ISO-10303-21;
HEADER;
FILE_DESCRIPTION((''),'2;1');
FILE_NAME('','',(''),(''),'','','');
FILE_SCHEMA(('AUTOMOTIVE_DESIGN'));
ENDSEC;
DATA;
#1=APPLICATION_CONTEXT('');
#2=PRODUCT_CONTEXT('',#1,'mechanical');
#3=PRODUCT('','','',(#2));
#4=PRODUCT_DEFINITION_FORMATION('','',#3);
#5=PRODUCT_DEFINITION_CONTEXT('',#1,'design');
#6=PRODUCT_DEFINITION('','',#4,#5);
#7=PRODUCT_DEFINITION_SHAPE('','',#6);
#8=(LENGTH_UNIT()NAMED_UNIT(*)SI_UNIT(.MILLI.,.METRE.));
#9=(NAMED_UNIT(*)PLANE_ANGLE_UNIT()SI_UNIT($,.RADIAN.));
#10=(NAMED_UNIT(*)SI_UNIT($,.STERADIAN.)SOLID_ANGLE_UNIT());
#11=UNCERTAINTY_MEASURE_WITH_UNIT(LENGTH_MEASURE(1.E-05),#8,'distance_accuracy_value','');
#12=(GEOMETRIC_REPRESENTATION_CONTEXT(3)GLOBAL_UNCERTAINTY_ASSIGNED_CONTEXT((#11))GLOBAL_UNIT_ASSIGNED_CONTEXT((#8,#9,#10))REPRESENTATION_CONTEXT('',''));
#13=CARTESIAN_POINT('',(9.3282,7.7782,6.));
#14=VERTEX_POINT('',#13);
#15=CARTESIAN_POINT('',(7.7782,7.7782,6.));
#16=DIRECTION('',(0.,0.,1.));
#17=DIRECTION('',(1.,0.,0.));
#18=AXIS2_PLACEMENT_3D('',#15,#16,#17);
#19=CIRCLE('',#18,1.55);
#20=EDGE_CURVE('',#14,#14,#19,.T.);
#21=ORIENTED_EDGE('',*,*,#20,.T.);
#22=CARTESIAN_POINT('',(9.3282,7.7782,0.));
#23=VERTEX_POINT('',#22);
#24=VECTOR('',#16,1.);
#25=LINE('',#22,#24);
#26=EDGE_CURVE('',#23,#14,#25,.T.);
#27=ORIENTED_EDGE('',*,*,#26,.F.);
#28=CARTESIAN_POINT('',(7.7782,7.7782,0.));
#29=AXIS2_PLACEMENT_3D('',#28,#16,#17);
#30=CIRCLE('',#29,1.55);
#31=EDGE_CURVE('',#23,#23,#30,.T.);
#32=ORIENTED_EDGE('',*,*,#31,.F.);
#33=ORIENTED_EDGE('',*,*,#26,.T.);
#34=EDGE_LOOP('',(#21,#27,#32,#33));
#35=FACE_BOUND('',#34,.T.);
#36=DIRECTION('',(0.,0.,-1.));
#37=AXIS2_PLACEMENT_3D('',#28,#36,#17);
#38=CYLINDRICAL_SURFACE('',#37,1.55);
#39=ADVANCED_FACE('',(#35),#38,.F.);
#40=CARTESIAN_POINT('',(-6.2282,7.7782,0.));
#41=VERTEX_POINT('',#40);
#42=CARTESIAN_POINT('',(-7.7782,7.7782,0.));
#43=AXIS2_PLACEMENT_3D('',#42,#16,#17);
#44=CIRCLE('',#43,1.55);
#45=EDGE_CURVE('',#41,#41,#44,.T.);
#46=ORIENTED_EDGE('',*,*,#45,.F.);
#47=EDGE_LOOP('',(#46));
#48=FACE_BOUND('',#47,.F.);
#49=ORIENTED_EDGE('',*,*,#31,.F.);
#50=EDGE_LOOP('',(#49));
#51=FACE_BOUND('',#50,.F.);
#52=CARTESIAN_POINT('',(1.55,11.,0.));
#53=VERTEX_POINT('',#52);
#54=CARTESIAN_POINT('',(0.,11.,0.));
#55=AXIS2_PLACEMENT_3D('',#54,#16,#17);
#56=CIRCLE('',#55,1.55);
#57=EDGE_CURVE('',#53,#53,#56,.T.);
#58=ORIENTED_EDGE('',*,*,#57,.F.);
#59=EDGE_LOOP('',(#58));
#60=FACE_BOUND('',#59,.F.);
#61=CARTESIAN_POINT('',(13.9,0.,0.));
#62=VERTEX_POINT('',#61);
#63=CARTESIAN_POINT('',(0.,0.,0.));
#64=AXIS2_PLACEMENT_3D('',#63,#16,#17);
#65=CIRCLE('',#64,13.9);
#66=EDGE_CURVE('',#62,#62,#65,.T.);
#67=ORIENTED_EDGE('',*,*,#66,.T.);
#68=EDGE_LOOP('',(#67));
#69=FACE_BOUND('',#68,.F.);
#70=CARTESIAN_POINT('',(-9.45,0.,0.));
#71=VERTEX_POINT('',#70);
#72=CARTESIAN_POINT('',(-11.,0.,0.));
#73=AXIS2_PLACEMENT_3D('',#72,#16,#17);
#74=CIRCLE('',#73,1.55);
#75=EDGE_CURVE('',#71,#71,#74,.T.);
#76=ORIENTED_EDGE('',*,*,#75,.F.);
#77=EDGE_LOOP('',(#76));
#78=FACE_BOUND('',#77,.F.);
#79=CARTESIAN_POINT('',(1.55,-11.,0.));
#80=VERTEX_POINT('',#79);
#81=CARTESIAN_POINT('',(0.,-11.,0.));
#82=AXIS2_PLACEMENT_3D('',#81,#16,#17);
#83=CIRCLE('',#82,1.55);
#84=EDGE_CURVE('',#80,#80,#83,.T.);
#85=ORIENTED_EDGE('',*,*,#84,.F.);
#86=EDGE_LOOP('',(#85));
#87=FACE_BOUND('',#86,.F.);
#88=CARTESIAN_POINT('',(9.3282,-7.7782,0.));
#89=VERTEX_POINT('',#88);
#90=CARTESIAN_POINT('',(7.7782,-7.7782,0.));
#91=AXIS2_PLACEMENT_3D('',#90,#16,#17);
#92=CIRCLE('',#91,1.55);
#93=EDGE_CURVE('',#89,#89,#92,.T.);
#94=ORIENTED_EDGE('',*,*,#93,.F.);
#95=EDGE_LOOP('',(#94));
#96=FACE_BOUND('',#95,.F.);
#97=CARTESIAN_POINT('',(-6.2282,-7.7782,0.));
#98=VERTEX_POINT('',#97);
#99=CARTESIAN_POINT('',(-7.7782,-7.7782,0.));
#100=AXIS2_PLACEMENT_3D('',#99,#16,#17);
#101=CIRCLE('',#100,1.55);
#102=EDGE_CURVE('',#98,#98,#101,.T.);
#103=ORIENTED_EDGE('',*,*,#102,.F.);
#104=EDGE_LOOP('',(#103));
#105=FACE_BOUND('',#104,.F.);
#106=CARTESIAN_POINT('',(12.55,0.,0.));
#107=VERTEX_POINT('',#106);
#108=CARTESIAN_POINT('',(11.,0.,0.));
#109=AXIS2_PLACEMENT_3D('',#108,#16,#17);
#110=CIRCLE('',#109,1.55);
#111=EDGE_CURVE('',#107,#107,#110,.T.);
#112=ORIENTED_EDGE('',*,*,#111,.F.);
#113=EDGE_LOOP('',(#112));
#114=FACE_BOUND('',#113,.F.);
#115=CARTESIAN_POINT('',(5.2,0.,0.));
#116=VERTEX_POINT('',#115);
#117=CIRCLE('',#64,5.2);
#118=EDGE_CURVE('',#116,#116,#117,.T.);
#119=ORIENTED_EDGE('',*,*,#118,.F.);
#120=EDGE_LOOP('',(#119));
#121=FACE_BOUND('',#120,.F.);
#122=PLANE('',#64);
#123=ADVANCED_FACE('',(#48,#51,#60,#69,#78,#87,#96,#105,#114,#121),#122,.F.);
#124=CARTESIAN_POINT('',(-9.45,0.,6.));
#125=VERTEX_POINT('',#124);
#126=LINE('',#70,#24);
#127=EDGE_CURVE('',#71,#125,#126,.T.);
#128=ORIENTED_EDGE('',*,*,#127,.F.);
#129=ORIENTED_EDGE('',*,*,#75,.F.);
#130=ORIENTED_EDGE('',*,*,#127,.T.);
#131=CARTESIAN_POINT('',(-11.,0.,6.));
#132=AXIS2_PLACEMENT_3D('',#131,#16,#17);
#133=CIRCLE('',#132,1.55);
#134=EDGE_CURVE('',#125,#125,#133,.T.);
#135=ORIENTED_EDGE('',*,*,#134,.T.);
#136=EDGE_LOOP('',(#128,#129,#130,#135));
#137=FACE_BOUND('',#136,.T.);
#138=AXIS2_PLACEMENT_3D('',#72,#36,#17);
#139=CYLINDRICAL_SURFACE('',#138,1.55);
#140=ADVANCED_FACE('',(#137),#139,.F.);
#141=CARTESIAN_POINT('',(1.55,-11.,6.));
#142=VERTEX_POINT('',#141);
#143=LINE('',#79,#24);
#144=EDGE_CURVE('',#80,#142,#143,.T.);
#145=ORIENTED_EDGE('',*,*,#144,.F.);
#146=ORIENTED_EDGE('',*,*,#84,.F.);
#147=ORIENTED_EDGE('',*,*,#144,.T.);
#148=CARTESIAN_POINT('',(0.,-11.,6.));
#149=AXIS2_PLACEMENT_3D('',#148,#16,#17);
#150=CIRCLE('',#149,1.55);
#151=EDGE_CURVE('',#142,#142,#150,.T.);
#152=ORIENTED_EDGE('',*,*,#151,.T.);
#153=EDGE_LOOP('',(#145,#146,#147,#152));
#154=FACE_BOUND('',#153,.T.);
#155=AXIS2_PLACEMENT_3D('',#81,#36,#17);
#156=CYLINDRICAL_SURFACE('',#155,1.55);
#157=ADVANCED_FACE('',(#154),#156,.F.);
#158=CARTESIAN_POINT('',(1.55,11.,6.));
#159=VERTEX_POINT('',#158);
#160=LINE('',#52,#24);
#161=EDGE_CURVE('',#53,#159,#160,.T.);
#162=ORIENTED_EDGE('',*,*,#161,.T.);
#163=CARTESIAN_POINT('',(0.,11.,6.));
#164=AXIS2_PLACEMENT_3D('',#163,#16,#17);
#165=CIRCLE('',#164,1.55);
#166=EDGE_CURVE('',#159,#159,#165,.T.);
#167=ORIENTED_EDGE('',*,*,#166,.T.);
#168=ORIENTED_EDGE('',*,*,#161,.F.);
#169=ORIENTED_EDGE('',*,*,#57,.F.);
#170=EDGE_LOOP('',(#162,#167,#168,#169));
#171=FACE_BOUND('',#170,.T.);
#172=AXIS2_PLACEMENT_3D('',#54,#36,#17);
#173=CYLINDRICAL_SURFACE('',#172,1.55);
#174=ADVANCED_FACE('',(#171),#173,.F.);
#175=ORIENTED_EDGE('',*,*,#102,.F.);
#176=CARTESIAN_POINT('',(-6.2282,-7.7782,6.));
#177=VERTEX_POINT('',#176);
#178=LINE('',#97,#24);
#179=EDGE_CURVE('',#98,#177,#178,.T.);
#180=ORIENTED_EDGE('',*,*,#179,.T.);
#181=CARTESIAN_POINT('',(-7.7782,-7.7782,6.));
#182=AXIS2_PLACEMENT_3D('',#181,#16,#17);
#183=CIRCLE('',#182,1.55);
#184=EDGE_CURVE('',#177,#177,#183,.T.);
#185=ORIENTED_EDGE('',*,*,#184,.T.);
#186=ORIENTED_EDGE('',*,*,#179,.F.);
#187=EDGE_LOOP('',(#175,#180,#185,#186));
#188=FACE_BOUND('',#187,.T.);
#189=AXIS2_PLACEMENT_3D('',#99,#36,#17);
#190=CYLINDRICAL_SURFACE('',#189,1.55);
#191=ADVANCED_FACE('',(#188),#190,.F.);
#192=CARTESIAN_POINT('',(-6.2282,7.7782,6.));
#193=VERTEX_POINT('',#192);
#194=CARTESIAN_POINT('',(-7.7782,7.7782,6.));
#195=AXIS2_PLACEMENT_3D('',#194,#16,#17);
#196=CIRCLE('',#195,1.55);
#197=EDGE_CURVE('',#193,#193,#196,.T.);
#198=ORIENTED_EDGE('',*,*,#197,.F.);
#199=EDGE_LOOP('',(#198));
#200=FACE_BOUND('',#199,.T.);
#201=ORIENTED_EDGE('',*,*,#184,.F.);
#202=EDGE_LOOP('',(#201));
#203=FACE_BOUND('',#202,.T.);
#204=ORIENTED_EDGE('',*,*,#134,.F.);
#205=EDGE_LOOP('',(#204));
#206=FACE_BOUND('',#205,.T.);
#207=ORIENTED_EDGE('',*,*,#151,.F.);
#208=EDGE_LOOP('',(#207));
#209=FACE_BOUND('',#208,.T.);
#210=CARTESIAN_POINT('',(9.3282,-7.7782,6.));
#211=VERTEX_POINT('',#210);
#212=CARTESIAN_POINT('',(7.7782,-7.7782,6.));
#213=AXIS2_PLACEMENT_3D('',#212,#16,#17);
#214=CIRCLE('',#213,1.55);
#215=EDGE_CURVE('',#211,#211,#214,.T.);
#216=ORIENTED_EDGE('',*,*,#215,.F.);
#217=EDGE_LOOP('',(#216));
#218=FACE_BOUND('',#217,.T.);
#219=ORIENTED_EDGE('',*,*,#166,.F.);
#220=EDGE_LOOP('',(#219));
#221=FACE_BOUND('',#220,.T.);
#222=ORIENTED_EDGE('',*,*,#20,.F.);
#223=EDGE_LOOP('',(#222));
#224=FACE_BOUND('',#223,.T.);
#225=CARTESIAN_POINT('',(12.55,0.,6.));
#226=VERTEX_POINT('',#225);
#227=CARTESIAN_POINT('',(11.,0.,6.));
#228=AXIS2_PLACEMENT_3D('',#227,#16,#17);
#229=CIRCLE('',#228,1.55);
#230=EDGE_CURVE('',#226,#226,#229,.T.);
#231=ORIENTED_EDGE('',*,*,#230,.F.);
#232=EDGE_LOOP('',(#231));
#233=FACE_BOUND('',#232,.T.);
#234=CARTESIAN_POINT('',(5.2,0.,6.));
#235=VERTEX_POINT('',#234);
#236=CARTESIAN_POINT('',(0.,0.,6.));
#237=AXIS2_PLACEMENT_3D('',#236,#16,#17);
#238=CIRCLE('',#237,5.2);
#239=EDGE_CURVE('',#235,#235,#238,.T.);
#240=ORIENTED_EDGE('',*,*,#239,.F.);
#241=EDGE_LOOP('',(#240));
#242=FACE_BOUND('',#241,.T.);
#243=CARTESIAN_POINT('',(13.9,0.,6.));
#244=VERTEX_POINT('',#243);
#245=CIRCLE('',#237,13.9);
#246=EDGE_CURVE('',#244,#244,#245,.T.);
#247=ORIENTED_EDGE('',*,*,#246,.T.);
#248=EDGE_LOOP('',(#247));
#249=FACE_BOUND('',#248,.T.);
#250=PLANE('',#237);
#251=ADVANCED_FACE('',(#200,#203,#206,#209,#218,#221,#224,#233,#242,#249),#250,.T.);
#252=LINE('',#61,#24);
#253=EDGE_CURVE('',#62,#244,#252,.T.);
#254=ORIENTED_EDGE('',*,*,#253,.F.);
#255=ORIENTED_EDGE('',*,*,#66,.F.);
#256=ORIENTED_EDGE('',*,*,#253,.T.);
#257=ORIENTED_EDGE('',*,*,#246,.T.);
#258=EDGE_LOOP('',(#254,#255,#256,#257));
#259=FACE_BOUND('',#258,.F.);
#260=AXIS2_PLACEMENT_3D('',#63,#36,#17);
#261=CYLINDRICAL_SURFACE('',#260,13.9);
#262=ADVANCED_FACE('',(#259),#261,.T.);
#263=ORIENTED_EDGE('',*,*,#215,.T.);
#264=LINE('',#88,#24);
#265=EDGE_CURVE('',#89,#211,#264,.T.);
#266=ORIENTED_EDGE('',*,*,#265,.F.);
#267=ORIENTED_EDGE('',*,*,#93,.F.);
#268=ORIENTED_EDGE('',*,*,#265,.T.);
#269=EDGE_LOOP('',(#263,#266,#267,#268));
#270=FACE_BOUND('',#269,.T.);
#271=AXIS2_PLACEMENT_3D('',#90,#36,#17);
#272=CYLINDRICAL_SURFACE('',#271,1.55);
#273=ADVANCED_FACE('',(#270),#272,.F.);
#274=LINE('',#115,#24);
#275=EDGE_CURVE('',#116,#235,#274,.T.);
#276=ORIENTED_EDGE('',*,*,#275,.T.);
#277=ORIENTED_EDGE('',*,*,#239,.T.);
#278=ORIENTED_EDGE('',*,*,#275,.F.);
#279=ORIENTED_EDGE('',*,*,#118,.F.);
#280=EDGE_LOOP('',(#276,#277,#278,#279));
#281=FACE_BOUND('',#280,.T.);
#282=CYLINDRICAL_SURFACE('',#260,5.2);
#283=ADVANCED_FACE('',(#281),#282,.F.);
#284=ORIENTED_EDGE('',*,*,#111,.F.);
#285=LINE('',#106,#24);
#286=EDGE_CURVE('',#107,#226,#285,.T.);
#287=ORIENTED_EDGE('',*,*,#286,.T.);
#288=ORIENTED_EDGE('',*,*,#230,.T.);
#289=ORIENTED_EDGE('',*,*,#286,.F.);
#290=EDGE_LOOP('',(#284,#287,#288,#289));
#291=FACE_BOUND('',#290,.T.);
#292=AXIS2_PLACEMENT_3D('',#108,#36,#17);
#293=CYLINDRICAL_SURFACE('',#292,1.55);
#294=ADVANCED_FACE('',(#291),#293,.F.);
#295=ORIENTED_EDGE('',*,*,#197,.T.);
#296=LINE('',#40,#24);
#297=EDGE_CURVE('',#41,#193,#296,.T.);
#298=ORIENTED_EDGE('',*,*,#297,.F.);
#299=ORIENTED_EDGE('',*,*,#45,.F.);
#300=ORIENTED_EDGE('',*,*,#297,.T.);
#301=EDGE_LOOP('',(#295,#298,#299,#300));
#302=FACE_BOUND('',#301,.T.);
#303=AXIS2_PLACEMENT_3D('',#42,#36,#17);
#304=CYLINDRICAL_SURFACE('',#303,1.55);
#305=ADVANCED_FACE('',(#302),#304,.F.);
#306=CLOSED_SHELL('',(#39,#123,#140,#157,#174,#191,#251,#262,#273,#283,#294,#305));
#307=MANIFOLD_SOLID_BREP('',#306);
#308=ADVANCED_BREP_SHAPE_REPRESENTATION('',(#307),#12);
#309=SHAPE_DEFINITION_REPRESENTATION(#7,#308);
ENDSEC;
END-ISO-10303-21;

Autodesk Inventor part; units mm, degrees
ref_plane "YZ Plane" through (0, 0, 0) normal (1, 0, 0) x (0, 1, 0)
ref_plane "XZ Plane" through (0, 0, 0) normal (0, 1, 0) x (-1, 0, 0)
ref_plane "작업 평면2" through (0, 0, 0) normal (0, 0, 1) x (1, 0, 0)
sketch "스케치1" plane through (0, 0, 0) normal (0, 0, 1) x (1, 0, 0)
  circle A0 centre (-7.7782, -7.7782) radius 1.55 projected
  circle A1 centre (7.7782, -7.7782) radius 1.55 projected
  circle A2 centre (7.7782, 7.7782) radius 1.55 projected
  circle A3 centre (-7.7782, 7.7782) radius 1.55 projected
  circle A4 centre (0, 0) radius 5 projected
  circle A5 centre (0, 0) radius 13.9 projected
  circle A6 centre (0, 11) radius 1.55 projected
  circle A7 centre (11, 0) radius 1.55 projected
  circle A8 centre (0, -11) radius 1.55 projected
  circle A9 centre (-11, 0) radius 1.55 projected
  circle A10 centre (0, 0) radius 5.2
  circle A11 centre (0, 0) radius 13.9
  circle A12 centre (11, 0) radius 1.35
  circle A13 centre (7.7782, 7.7782) radius 1.35
  circle A14 centre (0, 11) radius 1.35
  circle A15 centre (-7.7782, 7.7782) radius 1.35
  circle A16 centre (-11, 0) radius 1.35
  circle A17 centre (-7.7782, -7.7782) radius 1.35
  circle A18 centre (0, -11) radius 1.35
  circle A19 centre (7.7782, -7.7782) radius 1.35
  dimension "d0" = 0.2
  dimension "d1" = 2.7
  dimension "d4" = 360
extrude "돌출1" add sketch "스케치1" along normal blind 6 contours A5
properties part number "64horn" material "PMMA 플라스틱"
